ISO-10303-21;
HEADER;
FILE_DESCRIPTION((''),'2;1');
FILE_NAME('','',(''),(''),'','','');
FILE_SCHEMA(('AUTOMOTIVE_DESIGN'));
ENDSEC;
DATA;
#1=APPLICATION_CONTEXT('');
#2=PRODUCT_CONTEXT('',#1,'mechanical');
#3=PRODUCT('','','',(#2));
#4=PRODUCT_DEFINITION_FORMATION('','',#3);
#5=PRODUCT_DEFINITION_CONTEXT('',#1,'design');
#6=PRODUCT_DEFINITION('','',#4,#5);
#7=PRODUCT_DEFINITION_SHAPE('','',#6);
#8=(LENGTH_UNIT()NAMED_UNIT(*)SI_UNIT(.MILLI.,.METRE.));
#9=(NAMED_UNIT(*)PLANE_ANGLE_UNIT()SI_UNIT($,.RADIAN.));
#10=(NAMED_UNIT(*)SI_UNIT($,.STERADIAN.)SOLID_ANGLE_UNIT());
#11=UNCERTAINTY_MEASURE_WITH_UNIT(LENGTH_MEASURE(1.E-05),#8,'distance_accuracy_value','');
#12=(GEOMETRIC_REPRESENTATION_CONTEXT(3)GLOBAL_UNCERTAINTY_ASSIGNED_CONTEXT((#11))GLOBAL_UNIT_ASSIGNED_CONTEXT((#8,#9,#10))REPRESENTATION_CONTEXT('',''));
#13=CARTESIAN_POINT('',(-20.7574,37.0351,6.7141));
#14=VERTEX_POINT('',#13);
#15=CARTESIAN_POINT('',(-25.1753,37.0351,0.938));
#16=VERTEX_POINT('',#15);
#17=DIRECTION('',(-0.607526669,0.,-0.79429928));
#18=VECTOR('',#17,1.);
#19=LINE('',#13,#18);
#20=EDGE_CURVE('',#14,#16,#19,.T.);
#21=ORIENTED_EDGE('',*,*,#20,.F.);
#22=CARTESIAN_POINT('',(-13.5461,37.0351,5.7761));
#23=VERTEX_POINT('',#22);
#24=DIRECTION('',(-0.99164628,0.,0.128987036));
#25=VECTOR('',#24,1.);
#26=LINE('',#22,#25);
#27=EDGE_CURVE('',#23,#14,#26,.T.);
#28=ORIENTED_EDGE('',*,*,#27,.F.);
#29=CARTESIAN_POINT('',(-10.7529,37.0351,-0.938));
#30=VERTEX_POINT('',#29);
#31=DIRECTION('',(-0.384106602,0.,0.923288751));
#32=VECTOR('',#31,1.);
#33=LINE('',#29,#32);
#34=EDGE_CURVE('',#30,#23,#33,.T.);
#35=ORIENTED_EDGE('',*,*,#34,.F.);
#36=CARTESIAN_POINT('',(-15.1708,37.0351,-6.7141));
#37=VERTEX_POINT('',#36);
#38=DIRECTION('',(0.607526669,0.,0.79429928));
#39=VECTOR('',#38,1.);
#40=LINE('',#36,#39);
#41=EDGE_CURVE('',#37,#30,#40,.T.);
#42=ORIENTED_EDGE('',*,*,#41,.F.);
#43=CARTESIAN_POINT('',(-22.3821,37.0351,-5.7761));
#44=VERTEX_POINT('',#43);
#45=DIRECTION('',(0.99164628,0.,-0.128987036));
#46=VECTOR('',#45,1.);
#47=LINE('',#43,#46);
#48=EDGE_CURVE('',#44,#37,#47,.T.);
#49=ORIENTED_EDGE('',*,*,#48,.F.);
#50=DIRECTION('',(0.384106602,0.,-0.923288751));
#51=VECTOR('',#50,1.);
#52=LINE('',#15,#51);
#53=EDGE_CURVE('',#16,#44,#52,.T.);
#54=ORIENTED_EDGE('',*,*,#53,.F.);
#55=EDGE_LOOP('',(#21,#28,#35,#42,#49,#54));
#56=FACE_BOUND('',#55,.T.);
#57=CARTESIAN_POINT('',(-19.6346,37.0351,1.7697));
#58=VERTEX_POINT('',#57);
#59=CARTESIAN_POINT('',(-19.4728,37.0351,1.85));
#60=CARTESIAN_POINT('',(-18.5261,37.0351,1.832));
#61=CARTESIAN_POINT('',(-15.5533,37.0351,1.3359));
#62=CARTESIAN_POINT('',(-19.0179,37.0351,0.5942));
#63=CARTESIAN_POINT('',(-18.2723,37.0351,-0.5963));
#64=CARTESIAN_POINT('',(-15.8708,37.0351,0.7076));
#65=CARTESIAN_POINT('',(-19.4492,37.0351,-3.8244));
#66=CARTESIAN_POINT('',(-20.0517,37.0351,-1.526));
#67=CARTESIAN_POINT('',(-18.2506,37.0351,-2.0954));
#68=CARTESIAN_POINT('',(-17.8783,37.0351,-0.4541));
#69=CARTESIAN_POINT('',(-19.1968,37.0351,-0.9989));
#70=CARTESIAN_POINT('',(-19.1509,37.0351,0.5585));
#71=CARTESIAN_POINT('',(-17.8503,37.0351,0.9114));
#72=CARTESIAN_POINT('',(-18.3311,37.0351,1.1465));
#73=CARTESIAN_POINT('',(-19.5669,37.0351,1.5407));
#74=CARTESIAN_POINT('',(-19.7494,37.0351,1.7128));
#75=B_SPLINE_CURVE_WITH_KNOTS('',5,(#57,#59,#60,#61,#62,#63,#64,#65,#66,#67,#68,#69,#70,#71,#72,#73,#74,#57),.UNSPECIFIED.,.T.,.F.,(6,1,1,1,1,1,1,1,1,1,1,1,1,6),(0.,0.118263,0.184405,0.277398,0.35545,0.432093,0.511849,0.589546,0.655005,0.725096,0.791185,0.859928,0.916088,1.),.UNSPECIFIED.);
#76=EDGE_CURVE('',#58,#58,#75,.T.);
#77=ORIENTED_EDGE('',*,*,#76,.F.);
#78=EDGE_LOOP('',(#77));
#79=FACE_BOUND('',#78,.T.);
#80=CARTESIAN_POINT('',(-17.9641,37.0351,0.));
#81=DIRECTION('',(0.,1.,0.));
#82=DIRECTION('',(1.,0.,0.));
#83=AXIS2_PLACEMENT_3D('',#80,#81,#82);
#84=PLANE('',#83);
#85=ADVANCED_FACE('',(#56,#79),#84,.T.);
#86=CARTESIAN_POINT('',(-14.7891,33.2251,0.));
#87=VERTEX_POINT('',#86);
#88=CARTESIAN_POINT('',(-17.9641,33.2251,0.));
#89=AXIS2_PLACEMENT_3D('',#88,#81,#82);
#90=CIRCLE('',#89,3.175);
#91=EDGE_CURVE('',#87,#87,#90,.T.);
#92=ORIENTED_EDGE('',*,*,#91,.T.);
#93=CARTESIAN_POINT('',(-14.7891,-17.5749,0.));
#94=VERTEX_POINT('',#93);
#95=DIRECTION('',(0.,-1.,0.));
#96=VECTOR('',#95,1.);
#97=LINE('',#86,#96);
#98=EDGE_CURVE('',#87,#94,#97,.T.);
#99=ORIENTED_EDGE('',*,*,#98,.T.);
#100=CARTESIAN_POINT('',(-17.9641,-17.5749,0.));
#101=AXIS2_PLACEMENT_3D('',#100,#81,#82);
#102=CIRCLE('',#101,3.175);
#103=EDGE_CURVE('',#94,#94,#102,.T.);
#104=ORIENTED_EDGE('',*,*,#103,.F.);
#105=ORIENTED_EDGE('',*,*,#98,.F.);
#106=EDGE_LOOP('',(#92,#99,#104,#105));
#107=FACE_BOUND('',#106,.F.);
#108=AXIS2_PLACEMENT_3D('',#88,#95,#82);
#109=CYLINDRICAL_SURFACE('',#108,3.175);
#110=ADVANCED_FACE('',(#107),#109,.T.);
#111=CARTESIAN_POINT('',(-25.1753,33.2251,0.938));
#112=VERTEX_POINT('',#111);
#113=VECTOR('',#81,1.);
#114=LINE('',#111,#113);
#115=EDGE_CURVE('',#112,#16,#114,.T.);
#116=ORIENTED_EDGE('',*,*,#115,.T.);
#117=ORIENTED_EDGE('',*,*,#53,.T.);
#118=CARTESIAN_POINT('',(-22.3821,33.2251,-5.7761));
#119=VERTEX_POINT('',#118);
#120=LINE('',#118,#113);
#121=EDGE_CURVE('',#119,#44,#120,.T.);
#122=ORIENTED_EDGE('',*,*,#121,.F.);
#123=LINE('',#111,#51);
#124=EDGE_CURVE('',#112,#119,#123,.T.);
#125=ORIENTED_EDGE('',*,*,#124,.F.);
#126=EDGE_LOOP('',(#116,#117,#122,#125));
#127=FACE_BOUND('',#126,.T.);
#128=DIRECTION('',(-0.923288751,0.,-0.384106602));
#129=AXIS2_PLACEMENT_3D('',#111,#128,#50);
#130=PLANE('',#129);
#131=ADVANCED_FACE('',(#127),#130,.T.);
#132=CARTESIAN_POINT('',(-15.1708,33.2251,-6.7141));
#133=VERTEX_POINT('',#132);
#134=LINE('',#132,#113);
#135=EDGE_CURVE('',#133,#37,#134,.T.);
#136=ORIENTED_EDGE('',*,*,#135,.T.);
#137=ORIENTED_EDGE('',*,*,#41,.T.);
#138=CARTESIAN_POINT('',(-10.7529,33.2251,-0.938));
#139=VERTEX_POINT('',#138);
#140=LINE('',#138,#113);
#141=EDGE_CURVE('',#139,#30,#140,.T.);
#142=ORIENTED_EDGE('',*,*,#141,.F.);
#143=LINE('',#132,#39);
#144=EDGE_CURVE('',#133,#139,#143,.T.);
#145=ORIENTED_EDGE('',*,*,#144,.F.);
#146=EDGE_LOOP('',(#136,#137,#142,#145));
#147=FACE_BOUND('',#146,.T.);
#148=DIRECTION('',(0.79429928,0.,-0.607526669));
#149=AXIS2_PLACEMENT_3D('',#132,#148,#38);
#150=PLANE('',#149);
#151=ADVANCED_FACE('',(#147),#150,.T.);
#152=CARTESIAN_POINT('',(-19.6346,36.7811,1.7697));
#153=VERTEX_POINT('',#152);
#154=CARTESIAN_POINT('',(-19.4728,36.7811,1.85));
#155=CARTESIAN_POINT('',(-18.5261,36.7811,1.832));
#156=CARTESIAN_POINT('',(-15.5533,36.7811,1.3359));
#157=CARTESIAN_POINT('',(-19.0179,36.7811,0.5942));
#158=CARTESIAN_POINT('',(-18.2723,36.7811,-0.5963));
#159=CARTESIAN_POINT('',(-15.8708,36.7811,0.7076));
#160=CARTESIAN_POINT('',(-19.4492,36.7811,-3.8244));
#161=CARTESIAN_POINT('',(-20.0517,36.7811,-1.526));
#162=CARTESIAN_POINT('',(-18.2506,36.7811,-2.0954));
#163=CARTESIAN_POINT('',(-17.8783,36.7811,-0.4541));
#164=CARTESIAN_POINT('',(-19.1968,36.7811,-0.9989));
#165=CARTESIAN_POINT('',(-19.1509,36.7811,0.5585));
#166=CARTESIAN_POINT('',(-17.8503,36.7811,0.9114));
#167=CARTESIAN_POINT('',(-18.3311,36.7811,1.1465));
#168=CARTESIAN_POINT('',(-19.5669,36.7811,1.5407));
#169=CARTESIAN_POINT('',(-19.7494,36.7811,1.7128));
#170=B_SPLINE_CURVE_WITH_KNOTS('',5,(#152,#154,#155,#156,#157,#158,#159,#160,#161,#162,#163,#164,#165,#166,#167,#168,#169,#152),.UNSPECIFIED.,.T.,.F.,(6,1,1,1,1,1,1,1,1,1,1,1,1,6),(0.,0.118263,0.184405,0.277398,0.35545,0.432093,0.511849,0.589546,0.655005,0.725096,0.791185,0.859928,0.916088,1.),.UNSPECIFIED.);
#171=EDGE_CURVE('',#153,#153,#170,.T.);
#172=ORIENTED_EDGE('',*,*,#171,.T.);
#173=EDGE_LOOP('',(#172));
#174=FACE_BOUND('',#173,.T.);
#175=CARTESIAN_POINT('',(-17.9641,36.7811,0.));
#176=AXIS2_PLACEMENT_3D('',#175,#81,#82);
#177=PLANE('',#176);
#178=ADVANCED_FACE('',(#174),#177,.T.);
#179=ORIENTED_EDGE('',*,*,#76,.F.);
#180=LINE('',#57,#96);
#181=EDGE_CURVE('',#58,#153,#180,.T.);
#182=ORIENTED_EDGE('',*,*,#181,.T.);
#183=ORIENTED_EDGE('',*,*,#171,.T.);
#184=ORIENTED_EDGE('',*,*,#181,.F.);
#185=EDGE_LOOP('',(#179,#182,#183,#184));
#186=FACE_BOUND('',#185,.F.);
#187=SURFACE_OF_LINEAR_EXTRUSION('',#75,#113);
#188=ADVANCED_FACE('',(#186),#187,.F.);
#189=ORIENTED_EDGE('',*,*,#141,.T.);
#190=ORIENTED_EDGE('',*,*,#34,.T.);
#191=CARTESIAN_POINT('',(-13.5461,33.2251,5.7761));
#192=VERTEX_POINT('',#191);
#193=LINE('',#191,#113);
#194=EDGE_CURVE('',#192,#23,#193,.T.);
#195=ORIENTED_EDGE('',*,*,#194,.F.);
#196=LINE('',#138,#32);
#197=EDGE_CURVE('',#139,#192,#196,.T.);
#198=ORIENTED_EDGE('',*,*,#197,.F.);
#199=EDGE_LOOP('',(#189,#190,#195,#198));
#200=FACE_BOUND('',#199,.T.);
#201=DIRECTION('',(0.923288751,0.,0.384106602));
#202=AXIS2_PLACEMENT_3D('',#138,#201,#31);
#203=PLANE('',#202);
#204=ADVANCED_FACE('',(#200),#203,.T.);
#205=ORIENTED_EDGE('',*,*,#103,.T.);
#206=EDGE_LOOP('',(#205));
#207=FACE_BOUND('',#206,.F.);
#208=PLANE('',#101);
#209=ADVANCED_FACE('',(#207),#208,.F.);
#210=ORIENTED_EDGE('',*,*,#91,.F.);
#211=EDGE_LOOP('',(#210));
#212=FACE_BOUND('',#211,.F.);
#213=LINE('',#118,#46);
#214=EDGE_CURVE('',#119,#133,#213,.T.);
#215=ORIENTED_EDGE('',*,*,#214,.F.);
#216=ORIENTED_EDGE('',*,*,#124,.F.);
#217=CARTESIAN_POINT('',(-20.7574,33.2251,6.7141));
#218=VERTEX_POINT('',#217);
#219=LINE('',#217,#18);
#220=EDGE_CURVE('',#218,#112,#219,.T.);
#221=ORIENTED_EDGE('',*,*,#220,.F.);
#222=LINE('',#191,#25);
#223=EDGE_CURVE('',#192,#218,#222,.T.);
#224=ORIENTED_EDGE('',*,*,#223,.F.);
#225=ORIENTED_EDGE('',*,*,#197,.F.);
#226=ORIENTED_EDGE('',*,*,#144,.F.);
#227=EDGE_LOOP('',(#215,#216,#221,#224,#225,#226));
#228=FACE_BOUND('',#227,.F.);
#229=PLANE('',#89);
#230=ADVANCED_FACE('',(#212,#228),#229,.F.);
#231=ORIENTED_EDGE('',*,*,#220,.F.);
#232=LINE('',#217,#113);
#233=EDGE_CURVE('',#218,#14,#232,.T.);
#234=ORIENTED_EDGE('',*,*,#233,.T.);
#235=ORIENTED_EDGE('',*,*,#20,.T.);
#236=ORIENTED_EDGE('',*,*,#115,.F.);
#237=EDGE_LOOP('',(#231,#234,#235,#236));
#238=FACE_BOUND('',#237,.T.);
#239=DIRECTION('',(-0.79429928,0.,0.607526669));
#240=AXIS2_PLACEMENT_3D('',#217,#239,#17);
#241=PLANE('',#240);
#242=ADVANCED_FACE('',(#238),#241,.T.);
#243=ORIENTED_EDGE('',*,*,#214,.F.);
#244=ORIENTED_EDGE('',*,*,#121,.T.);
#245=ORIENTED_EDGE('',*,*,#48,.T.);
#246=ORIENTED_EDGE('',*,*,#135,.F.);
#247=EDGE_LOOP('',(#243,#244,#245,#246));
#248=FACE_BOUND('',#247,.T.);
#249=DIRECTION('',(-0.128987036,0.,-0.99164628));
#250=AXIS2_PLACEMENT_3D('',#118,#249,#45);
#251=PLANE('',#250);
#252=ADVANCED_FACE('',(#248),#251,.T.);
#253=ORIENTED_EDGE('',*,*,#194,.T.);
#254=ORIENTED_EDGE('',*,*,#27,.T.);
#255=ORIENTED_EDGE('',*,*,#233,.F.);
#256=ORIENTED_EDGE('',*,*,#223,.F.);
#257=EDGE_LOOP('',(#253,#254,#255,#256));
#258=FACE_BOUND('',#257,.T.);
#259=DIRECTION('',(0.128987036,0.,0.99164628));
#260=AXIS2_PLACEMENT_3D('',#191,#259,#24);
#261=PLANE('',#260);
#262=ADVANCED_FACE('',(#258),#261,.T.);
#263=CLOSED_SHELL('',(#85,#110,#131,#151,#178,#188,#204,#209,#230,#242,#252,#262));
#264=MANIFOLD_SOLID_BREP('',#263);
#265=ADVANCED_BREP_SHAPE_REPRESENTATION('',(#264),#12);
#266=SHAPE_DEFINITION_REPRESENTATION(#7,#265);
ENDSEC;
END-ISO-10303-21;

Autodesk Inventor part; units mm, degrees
ref_plane "YZ Plane" through (0, 0, 0) normal (1, 0, 0) x (0, 1, 0)
ref_plane "XZ Plane" through (0, 0, 0) normal (0, 1, 0) x (-1, 0, 0)
ref_plane "XY Plane" through (0, 0, 0) normal (0, 0, 1) x (1, 0, 0)
sketch "Sketch1" plane through (0, 0, 0) normal (0, 0, 1) x (1, 0, 0)
  line L0 (-17.9641, 33.2251) -> (-14.7891, 33.2251)
  line L1 (-14.7891, 33.2251) -> (-14.7891, -17.5749)
  line L2 (-14.7891, -17.5749) -> (-17.9641, -17.5749)
  line L3 (-17.9641, -17.5749) -> (-17.9641, 33.2251)
  point P0 (0, 0)
  dimension "d0" = 3.175
  dimension "d1" = 50.8
revolve "Revolution1" add sketch "Sketch1" angle 360 about axis through (-17.9641, -17.5749, 0) along (0, 1, 0)
sketch "Sketch2" plane through (-17.9641, 33.2251, 0) normal (0, 1, 0) x (1, 0, 0)
  circle A0 centre (0, 0) radius 3.175 projected
  line L0 (-2.7933, -6.7141) -> (-7.2112, -0.938)
  line L1 (-7.2112, -0.938) -> (-4.418, 5.7761)
  line L2 (-4.418, 5.7761) -> (2.7933, 6.7141)
  line L3 (2.7933, 6.7141) -> (7.2112, 0.938)
  line L4 (7.2112, 0.938) -> (4.418, -5.7761)
  line L5 (4.418, -5.7761) -> (-2.7933, -6.7141)
  point P0 (17.9641, 0)
extrude "Extrusion1" add sketch "Sketch2" along normal blind 3.81 contours A0 | L0 L1 L2 L3 L4 L5
thread "Thread1" size "1/4-20 UNC" class "2A" standard "ANSI Unified Screw Threads" full length
sketch "Sketch3" plane through (-17.9641, 37.0351, 0) normal (0, 1, 0) x (1, 0, 0)
  spline S0 degree 5 poles (-1.6705, -1.7697) (-1.5087, -1.85) (-0.562, -1.832) (2.4108, -1.3359) (-1.0538, -0.5942) (-0.3082, 0.5963) (2.0933, -0.7076) (-1.4851, 3.8244) (-2.0876, 1.526) (-0.2865, 2.0954) (0.0858, 0.4541) (-1.2327, 0.9989) (-1.1868, -0.5585) (0.1138, -0.9114) (-0.367, -1.1465) (-1.6028, -1.5407) (-1.7853, -1.7128) (-1.6705, -1.7697) knots 0 0 0 0 0 0 0.118263 0.184405 0.277398 0.35545 0.432093 0.511849 0.589546 0.655005 0.725096 0.791185 0.859928 0.916088 1 1 1 1 1 1
  point P0 (17.9641, 0)
  point P1 (-0.2467, -0.2687)
  point P2 (-0.1215, 0.0477)
  point P3 (0.7392, 0.3)
  point P4 (-1.3859, 2.4418)
  point P5 (-1.4827, 2.0902)
  point P6 (-0.4576, 1.5038)
  point P7 (-0.3161, 0.9046)
  point P8 (-0.8855, 0.5658)
  point P9 (-0.8855, -0.3278)
  point P10 (-0.3187, -0.9153)
  point P11 (-0.8855, -1.3006)
extrude "Extrusion2" cut sketch "Sketch3" against normal blind 0.254
properties part number ".25 diameter 2'' bolt"
